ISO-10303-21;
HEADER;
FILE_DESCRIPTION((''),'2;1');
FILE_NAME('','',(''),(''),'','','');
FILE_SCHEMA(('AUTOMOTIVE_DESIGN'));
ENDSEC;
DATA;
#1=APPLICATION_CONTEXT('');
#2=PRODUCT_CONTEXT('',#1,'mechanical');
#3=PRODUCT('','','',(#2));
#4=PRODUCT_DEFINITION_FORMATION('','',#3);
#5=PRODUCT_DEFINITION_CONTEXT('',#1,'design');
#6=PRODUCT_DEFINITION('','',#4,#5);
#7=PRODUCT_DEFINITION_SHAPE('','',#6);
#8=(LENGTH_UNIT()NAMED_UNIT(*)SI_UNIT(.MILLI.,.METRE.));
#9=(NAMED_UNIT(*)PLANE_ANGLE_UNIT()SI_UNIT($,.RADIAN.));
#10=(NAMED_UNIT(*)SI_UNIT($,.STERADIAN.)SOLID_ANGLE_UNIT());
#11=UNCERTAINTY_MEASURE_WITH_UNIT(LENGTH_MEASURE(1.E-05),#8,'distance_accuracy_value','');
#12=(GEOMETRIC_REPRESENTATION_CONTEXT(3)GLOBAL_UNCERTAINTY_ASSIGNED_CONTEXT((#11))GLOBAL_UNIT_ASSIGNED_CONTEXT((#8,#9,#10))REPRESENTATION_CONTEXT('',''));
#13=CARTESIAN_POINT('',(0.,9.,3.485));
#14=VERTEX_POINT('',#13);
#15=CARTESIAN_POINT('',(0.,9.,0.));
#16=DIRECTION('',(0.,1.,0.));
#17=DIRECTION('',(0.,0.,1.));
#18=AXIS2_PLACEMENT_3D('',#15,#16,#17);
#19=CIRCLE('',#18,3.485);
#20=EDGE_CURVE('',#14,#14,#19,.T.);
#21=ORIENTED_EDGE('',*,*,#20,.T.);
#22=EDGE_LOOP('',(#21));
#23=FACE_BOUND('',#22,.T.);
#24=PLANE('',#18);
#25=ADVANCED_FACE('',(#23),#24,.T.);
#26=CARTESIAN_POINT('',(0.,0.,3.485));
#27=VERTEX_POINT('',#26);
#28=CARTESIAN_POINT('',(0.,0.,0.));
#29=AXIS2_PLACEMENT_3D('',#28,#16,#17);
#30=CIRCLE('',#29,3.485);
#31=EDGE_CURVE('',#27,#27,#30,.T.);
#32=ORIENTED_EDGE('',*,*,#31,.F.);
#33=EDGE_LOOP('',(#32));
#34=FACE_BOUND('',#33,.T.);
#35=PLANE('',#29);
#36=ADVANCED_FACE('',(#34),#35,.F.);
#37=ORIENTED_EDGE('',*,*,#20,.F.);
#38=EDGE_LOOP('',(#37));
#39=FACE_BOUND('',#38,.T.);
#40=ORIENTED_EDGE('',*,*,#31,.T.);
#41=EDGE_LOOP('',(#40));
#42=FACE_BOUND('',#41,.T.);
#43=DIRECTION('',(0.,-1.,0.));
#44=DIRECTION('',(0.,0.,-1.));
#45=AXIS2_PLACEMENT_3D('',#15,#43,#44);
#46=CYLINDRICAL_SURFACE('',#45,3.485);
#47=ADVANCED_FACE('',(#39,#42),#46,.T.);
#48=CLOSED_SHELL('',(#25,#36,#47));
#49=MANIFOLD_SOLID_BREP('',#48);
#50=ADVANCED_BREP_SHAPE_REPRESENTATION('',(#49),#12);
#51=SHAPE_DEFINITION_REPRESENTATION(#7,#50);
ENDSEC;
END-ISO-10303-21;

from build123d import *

# Parameters (mm, degrees)
SKETCH1_R           = 3.485
BOSS_EXTRUDE1_DEPTH = 9


with BuildPart() as part:
    # Sketch1 → Boss-Extrude1 (new body)
    with BuildSketch(Plane(origin=(0, 0, 0), x_dir=(1, 0, 0), z_dir=(0, 1, 0))):
        with Locations(Location((0, 0, 0), (0, 0, 270))):
            Circle(SKETCH1_R)
    extrude(amount=BOSS_EXTRUDE1_DEPTH)


solid = part.part
